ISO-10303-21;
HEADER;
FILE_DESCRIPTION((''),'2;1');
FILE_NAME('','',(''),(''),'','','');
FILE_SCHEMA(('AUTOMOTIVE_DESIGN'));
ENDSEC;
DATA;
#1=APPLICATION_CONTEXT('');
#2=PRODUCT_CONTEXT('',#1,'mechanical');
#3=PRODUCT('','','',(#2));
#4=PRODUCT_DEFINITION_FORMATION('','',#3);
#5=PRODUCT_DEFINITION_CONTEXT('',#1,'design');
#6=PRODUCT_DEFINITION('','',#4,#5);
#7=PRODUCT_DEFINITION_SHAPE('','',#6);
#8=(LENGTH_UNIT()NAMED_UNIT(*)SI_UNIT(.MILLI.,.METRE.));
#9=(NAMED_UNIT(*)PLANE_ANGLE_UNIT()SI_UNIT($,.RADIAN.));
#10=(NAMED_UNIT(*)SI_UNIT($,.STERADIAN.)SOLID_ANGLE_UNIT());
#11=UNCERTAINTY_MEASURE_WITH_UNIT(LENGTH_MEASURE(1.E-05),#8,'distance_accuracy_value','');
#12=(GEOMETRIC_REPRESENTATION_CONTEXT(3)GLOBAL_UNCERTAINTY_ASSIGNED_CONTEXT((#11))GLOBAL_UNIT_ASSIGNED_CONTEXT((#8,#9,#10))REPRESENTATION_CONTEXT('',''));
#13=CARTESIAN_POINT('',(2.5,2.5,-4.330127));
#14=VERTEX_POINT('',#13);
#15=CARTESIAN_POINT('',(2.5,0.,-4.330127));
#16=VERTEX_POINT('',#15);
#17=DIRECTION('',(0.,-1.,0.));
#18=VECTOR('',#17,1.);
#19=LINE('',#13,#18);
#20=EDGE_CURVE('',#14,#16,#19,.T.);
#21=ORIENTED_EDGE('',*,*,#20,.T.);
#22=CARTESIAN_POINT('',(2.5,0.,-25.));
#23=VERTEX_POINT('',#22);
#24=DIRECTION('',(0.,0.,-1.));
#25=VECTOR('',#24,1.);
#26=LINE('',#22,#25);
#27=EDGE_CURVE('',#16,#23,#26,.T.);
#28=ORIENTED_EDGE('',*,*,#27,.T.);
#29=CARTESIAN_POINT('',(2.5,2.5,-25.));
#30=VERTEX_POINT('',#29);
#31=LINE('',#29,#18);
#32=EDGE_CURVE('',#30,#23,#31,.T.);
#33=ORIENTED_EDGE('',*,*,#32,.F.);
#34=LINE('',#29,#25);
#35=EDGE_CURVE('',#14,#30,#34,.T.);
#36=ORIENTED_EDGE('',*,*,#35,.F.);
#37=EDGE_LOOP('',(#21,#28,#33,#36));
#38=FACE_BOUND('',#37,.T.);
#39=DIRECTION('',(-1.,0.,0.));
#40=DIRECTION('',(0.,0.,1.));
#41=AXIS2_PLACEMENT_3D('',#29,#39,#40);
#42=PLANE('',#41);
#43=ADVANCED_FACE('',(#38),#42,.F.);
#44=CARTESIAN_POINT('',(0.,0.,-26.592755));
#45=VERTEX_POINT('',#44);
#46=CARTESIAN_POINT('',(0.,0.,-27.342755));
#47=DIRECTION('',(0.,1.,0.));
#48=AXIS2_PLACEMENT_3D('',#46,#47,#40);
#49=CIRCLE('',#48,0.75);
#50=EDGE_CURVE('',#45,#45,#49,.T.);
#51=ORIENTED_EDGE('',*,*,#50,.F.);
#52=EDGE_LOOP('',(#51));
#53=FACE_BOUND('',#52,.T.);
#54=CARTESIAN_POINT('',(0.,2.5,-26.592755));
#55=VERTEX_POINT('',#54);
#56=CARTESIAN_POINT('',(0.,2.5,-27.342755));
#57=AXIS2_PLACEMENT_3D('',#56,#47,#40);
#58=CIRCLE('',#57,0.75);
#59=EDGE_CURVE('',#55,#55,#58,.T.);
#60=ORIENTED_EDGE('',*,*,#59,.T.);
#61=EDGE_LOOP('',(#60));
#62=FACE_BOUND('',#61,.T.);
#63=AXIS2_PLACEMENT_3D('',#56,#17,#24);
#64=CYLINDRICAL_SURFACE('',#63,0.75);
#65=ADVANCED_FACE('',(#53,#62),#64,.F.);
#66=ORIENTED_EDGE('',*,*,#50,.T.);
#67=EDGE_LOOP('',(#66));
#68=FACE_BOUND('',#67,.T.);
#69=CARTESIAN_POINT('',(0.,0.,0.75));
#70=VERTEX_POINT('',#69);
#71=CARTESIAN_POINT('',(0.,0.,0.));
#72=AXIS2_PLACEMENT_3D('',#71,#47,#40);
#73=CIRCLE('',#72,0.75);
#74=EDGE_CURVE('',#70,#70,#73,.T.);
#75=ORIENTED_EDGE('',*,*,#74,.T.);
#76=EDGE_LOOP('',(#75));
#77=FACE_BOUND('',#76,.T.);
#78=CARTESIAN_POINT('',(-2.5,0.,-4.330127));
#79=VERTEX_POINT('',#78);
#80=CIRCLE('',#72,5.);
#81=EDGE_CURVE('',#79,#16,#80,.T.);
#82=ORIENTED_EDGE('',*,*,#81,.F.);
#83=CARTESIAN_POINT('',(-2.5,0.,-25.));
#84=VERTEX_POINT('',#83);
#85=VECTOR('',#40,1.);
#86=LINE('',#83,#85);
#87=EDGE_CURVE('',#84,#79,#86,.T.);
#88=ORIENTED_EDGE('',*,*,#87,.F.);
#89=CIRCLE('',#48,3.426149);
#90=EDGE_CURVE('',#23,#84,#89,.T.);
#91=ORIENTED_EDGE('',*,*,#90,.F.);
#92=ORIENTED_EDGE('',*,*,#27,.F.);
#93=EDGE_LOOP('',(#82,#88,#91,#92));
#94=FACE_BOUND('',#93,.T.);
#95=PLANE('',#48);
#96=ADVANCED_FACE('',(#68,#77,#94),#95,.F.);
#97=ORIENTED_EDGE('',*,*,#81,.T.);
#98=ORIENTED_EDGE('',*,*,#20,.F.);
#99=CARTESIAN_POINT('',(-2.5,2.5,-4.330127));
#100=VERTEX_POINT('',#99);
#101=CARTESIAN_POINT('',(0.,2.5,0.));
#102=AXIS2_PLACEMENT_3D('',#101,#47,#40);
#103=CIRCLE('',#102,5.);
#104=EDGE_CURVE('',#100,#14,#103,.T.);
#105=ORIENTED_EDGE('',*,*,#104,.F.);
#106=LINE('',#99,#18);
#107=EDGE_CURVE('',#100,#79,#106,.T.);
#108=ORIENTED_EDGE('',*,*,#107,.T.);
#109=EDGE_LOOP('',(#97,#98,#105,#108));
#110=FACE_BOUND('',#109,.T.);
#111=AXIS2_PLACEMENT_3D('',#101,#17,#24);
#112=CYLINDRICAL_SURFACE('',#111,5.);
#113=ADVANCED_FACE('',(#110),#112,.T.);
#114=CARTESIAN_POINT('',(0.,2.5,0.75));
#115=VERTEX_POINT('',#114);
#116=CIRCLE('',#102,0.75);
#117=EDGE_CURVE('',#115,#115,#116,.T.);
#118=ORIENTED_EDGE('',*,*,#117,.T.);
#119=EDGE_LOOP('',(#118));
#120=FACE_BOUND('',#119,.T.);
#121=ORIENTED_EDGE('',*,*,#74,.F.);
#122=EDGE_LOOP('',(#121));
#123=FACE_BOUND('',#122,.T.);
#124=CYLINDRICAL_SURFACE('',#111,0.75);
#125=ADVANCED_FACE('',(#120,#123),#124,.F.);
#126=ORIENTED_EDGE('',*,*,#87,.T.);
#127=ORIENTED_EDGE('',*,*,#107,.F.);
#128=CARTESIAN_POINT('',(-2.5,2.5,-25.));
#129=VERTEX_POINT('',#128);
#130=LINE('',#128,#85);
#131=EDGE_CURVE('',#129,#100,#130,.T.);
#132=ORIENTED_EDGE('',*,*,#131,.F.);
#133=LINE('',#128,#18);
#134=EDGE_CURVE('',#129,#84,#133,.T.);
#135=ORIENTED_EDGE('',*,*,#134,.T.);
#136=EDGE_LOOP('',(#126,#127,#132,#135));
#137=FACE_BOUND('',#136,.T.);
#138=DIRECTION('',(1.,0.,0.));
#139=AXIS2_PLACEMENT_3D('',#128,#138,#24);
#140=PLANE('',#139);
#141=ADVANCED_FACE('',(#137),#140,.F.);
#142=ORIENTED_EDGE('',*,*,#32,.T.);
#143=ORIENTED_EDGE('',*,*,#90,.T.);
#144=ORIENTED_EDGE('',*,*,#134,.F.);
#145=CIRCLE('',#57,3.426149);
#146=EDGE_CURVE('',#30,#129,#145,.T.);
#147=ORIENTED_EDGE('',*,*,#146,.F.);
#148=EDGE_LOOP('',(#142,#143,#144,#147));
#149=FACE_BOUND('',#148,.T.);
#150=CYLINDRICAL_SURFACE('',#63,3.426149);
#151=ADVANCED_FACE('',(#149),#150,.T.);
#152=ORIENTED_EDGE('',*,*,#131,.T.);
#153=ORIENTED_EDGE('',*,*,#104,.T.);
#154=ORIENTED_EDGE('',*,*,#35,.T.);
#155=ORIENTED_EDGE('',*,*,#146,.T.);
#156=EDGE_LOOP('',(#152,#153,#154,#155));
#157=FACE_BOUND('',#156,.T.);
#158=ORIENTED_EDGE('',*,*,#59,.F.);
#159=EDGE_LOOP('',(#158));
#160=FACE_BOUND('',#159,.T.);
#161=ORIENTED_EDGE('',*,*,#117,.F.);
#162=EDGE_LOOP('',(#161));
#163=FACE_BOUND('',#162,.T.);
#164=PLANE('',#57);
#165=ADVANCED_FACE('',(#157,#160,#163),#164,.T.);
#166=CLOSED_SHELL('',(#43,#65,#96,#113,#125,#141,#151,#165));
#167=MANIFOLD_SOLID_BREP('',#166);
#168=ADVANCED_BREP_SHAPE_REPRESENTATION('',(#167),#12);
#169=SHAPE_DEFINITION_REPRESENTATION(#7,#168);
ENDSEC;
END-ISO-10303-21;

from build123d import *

# Parameters (mm, degrees)
SKETCH2_R           = 0.75
BOSS_EXTRUDE1_DEPTH = 2.5


with BuildPart() as part:
    # Sketch2 → Boss-Extrude1 (new body)
    with BuildSketch(Plane(origin=(0, 0, 0), x_dir=(1, 0, 0), z_dir=(0, 1, 0))):
        with BuildLine():
            Line((-2.5, 25), (-2.5, 4.330127019))
            ThreePointArc((-2.5, 4.330127019), (0, -5), (2.5, 4.330127019))
            Line((2.5, 4.330127019), (2.5, 25))
            ThreePointArc((2.5, 25), (0, 30.768904363), (-2.5, 25))
        make_face()
        Circle(SKETCH2_R, mode=Mode.SUBTRACT)
        with Locations((0, 27.342754867)):
            Circle(SKETCH2_R, mode=Mode.SUBTRACT)
    extrude(amount=BOSS_EXTRUDE1_DEPTH)


solid = part.part
